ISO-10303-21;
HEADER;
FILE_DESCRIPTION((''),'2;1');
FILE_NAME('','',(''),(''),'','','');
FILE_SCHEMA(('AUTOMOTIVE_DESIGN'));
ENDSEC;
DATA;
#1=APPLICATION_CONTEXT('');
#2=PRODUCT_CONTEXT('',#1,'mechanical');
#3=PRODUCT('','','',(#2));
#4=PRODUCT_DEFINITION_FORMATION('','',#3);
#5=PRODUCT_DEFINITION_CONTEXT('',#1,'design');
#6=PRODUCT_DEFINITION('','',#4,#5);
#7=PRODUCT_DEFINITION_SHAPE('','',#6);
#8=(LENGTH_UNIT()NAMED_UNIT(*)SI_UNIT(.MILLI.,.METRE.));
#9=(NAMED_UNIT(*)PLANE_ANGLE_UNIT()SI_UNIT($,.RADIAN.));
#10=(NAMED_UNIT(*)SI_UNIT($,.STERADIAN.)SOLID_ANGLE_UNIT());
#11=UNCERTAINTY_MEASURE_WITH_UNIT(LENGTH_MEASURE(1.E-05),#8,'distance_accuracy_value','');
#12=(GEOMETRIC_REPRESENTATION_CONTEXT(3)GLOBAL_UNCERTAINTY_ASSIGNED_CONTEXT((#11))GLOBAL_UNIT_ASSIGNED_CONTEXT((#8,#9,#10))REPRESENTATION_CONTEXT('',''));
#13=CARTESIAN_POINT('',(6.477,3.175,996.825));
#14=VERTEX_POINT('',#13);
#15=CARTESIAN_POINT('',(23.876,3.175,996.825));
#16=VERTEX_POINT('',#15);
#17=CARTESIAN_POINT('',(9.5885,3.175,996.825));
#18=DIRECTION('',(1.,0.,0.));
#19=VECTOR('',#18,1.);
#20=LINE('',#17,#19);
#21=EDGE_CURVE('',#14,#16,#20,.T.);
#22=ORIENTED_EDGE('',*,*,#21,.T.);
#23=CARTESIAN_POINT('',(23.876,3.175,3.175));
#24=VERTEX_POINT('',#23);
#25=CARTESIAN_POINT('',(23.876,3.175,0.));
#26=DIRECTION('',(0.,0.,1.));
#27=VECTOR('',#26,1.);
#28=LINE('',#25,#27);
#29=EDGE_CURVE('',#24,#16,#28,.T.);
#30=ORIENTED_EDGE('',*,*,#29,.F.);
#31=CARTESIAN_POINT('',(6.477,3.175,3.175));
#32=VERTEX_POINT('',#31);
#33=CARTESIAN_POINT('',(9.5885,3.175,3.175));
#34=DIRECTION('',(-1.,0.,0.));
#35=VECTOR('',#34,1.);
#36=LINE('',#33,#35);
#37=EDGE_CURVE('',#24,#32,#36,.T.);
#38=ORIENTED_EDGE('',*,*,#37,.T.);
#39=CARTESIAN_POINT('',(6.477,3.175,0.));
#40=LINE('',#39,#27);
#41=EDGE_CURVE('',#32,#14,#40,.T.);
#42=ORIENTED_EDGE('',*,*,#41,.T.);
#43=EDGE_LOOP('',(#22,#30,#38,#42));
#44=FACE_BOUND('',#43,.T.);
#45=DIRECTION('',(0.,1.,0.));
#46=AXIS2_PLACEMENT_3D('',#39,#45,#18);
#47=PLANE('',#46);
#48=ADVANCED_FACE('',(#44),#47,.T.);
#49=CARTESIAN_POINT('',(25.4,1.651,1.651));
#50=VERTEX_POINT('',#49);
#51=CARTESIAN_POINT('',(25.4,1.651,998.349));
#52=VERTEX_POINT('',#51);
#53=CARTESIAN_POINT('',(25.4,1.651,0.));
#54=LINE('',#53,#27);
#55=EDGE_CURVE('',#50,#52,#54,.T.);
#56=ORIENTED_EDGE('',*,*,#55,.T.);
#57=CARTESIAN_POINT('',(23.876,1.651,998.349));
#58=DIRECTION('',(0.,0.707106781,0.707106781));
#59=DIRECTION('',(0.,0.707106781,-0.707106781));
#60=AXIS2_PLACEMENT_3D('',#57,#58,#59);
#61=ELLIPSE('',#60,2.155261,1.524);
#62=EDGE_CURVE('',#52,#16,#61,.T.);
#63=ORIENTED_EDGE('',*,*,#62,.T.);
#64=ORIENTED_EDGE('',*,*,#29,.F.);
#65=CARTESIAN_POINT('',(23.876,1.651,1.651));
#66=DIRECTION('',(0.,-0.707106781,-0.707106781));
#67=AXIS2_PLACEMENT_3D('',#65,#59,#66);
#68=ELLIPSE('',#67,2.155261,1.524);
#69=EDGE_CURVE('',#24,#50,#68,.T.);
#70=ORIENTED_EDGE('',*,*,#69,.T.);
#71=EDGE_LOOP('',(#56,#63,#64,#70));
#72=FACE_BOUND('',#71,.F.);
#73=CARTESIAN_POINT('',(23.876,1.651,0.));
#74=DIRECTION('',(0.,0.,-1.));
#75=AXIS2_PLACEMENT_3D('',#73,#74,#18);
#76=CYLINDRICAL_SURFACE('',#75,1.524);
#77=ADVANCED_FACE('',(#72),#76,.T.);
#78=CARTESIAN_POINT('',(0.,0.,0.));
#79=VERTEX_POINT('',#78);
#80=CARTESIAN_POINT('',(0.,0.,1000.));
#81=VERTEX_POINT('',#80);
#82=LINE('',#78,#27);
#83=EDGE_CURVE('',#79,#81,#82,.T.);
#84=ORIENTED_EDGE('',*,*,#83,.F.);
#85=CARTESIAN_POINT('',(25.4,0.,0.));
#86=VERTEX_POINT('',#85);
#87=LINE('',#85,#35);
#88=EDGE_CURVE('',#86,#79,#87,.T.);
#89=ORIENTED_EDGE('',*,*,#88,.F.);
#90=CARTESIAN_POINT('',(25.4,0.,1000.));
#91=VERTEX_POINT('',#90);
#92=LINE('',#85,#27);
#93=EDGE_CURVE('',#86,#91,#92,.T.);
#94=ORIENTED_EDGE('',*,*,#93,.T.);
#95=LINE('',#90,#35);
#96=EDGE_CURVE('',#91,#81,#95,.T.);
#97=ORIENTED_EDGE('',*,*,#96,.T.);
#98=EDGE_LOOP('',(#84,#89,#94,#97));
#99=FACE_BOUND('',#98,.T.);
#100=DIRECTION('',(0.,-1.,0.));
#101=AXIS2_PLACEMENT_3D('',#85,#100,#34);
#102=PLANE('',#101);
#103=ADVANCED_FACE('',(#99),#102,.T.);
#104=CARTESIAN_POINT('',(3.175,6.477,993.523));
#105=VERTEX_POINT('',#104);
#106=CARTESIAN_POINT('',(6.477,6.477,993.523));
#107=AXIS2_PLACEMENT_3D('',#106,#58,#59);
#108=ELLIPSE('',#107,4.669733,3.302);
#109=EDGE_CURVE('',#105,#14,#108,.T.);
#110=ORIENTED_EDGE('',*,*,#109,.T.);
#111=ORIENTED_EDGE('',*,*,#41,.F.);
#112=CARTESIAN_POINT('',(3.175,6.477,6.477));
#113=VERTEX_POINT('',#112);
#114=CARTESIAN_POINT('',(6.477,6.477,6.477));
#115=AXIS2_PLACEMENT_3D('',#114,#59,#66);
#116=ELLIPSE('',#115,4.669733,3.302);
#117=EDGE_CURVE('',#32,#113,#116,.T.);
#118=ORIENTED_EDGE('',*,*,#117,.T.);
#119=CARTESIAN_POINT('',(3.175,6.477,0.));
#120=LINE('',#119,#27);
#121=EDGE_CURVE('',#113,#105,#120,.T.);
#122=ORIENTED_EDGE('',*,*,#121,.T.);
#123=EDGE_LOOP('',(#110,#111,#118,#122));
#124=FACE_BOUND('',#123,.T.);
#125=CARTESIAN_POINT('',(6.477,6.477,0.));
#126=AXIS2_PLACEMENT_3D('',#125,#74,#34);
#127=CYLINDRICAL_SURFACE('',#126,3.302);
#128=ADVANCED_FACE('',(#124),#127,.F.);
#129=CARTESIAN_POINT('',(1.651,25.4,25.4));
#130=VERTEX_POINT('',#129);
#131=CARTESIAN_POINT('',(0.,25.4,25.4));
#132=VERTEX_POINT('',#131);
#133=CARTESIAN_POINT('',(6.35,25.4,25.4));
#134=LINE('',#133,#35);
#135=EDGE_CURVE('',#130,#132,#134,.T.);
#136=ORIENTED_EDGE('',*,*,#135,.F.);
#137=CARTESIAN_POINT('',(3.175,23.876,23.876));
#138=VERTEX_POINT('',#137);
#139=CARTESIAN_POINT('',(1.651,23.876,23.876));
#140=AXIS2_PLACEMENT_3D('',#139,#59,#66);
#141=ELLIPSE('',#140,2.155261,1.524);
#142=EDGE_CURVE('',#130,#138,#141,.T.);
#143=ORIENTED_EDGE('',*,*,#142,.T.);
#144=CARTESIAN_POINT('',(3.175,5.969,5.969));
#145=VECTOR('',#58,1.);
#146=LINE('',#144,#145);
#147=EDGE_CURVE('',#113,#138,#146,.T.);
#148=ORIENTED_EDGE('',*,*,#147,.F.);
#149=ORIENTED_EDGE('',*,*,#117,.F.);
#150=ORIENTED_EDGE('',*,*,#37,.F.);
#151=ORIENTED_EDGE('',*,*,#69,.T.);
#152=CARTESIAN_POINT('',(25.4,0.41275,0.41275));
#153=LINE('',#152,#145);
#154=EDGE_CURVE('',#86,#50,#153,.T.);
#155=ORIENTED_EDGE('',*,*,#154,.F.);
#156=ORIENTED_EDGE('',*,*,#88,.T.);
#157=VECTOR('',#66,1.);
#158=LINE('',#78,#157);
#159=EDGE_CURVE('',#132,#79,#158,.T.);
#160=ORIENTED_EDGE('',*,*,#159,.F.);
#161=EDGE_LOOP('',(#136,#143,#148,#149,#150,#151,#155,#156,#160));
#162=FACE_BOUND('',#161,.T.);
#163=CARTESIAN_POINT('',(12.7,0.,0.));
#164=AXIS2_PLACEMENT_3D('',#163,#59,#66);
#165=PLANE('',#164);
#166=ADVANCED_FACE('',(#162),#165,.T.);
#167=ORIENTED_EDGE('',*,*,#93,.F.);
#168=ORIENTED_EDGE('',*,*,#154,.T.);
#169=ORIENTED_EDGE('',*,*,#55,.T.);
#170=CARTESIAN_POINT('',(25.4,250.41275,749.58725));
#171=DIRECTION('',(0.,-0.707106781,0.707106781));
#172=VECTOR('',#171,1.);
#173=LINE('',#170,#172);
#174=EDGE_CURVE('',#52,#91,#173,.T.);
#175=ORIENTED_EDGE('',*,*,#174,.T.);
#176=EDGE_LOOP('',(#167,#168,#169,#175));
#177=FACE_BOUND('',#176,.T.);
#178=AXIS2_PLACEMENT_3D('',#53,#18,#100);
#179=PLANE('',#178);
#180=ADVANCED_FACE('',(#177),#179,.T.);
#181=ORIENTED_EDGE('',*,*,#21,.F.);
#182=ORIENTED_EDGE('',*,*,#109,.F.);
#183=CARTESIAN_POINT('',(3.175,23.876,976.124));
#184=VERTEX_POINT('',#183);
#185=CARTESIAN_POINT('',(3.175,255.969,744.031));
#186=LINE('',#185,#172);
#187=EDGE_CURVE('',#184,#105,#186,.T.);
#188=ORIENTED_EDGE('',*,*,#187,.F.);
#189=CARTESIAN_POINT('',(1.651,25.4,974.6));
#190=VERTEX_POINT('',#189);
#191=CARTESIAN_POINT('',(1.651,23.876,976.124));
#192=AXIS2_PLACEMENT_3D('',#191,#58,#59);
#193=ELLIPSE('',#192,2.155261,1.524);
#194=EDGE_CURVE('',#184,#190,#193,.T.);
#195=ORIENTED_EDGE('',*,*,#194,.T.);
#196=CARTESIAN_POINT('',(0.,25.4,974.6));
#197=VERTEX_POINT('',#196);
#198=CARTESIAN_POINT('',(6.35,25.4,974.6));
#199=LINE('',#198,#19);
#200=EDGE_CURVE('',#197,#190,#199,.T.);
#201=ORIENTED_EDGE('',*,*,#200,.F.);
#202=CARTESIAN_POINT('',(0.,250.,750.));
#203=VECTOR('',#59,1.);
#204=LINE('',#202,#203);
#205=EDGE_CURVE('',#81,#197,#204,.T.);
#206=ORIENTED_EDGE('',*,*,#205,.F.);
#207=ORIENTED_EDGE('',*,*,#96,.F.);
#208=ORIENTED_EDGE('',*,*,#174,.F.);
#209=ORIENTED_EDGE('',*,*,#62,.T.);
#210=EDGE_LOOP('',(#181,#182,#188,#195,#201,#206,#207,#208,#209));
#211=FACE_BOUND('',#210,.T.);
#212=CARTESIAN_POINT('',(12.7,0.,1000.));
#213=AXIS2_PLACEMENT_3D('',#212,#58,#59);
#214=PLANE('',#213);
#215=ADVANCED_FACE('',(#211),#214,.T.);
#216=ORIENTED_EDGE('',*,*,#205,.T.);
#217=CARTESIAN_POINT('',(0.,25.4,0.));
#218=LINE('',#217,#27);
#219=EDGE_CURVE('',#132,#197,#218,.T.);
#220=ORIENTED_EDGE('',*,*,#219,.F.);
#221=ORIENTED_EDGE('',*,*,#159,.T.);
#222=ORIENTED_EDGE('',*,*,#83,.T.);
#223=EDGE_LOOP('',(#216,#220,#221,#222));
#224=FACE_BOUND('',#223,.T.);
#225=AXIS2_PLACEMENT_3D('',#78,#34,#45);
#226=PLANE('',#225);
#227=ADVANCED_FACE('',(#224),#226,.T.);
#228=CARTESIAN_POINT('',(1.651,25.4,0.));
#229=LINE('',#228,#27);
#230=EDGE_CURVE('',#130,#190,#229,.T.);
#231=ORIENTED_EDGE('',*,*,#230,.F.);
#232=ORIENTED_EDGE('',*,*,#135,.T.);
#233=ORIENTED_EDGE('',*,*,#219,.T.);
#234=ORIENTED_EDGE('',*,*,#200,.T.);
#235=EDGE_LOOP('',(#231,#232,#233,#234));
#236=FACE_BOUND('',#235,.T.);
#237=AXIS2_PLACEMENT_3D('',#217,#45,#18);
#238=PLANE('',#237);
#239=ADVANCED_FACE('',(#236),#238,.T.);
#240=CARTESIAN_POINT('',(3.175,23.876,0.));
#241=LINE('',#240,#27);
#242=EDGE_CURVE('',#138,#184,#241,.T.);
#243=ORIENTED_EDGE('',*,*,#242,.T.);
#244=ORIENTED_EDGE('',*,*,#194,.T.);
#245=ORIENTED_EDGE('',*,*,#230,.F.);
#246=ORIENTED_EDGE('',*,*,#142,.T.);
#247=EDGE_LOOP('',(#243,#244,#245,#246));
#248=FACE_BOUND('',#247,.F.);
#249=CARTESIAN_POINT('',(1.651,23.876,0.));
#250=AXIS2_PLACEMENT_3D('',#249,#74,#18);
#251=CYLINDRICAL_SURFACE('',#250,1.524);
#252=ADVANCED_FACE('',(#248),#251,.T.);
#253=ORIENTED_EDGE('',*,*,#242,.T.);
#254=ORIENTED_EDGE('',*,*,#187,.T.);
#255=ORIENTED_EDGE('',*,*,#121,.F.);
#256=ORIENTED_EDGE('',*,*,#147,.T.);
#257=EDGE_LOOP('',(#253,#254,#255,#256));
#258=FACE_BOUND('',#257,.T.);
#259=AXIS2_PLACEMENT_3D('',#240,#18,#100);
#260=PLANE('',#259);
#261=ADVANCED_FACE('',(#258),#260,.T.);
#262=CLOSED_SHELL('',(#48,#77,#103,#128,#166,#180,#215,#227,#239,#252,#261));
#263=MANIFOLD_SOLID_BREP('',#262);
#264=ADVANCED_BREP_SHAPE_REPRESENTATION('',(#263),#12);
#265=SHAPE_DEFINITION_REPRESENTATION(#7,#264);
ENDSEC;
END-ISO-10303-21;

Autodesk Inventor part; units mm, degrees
ref_plane "Start Plane" through (0, 0, 0) normal (0, 0, 1) x (1, 0, 0)
ref_plane "End Plane" through (0, 0, 1000) normal (0, 0, 1) x (1, 0, 0)
sketch "Sketch" plane through (0, 0, 0) normal (0, 0, 1) x (1, 0, 0)
  line L0 (25.4, 0) -> (0, 0)
  line L1 (0, 0) -> (0, 25.4)
  line L2 (0, 25.4) -> (1.651, 25.4)
  line L3 (3.175, 23.876) -> (3.175, 6.477)
  line L4 (6.477, 3.175) -> (23.876, 3.175)
  line L5 (25.4, 1.651) -> (25.4, 0)
  line L6 (0, -11.0414) -> (0, 31.5385) construction
  line L7 (-11.0414, 0) -> (31.5385, 0) construction
  arc A0 (3.175, 6.477) -> (6.477, 3.175) centre (6.477, 6.477) ccw
  arc A1 (3.175, 23.876) -> (1.651, 25.4) centre (1.651, 23.876) ccw
  arc A2 (25.4, 1.651) -> (23.876, 3.175) centre (23.876, 1.651) ccw
  line L8 (0, 40.0545) -> (0, -19.5574) construction
  line L9 (-19.5574, 0) -> (40.0545, 0) construction
  point P0 (3.175, 25.4)
  point P1 (3.175, 3.175)
  point P2 (25.4, 3.175)
  dimension "d0" = 25.4
  dimension "d1" = 25.4
  dimension "d2" = 3.175
  dimension "d3" = 3.175
  dimension "d10" = 0
  dimension "d11" = 0
  dimension "d14" = 3.302
  dimension "d15" = 1.524
extrude "Body" add sketch "Sketch" along normal up to surface (1000 mm away) from surface at 0
sketch "Sketch3" plane through (0, 0, 0) normal (0, 0, 1) x (1, 0, 0)
  line L0 (0, 0) -> (10, 0)
ref_plane "Work Plane3" through (0, 0, 0) normal (0, -1, 0) x (1, 0, 0)
ref_plane "Work Plane4" through (12.7, 0, 1000) normal (0, 0.7071, 0.7071) x (1, 0, 0)
split "Split1" plane through (12.7, 0, 1000) removes the side toward (0, 0.7071, 0.7071)
ref_plane "Work Plane5" through (12.7, 0, 0) normal (0, 0.7071, -0.7071) x (1, 0, 0)
split "Split2" plane through (12.7, 0, 0) removes the side toward (0, 0.7071, -0.7071)
sketch "Sketch4" plane through (0, 0, 0) normal (0, -1, 0) x (1, 0, 0)
  line L0 (-2, 0) -> (12, 0) projected
  line L1 (-2, 1000) -> (12, 1000) projected
  dimension "d17" = 1000
equation "\"d0\" = G_H"
equation "\"d1\" = G_H"
equation "\"d2\" = G_T"
equation "\"d3\" = G_T"
equation "\"d14\" = G_IR"
equation "\"d15\" = G_ER"
equation "\"d4\" = G_L"
equation "\"G_H\" = 25.4"
equation "\"G_T\" = 3.175"
equation "\"G_ER\" = 1.524"
equation "\"G_IR\" = 3.302"
equation "\"G_L\" = d17"
equation "\"ex\" = 0"
equation "\"G_OFFSET_START\" = 0"
equation "\"G_OFFSET_END\" = 0"
properties part number "AISC - L 1 x 1 x 1/8 - 39.37" material "Steel, Mild"
